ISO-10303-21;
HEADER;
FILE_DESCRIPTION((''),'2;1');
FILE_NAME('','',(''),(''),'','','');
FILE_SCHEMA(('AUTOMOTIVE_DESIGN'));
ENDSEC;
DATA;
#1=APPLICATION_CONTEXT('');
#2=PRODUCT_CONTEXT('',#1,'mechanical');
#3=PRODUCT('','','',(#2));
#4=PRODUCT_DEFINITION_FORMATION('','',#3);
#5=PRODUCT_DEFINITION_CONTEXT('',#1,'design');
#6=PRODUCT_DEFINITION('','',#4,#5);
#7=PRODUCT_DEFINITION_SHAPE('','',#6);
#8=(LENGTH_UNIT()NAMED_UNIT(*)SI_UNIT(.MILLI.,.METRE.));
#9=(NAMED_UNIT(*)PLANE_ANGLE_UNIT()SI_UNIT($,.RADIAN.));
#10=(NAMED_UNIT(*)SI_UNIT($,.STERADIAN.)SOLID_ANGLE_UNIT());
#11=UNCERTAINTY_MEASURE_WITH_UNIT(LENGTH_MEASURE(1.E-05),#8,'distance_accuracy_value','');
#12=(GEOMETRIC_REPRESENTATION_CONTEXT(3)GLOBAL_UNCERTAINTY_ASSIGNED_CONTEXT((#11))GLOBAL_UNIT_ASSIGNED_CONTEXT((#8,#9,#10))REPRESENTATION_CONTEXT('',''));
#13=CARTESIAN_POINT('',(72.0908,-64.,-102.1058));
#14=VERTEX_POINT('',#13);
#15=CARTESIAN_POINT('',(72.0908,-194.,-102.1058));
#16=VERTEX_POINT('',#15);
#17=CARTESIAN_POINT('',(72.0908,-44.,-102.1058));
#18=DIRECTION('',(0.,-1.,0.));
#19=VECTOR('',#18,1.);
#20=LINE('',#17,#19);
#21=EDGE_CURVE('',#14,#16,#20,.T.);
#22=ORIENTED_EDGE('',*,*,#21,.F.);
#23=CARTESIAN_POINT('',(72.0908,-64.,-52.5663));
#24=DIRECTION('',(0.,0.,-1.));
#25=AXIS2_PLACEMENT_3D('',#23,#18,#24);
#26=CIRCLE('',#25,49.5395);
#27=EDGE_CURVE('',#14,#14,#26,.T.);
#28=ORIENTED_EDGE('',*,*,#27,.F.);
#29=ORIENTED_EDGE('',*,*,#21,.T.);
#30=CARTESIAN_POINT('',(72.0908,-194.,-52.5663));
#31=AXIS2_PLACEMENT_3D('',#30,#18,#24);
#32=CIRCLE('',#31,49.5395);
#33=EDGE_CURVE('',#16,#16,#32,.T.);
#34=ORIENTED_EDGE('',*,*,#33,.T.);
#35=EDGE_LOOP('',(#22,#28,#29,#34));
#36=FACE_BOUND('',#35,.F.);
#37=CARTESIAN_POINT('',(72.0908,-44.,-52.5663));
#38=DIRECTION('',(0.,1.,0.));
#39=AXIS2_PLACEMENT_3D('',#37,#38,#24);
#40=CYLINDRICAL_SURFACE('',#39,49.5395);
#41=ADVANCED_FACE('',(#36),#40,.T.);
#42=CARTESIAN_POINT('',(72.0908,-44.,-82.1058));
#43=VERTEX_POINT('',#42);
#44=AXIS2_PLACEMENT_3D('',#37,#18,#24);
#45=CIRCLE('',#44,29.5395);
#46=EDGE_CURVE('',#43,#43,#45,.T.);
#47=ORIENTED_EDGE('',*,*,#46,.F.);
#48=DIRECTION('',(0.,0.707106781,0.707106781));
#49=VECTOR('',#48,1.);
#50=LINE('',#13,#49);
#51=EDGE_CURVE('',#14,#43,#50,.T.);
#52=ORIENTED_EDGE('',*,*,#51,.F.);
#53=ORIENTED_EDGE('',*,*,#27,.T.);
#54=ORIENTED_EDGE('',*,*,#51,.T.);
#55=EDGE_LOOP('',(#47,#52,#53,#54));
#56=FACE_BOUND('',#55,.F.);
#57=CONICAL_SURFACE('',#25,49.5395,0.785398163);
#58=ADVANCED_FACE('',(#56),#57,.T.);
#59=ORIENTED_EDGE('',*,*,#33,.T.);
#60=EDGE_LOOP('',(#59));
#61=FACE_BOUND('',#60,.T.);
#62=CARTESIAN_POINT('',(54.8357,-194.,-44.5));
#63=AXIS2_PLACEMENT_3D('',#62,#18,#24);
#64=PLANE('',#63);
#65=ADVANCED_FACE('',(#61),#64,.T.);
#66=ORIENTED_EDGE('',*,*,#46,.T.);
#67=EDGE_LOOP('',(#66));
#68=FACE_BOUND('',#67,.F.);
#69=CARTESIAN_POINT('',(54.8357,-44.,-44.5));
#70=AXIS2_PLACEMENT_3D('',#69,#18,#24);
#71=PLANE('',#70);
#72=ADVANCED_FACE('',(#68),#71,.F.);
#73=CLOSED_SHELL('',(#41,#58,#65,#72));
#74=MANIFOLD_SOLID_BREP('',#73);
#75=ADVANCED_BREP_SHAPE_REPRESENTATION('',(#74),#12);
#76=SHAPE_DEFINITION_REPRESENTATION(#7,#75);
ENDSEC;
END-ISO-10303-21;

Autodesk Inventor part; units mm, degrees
ref_plane "YZ Plane" through (0, 0, 0) normal (1, 0, 0) x (0, 1, 0)
ref_plane "XZ Plane" through (0, 0, 0) normal (0, 1, 0) x (-1, 0, 0)
ref_plane "XY Plane" through (0, 0, 0) normal (0, 0, 1) x (1, 0, 0)
ref_plane "Work Plane1" through (54.8357, -44, -44.5) normal (0, -1, 0) x (0, 0, -1)
sketch "Sketch1" plane through (54.8357, -44, -44.5) normal (0, -1, 0) x (0, 0, -1)
  circle A0 centre (8.0663, 17.2551) radius 49.5395
  point P0 (-44.5, -54.8357)
extrude "Extrusion1" add sketch "Sketch1" along normal blind 150
chamfer "Chamfer1" distance 20 angle 45 1 edges at (72.0908, -44, -3.0268)
properties part number "objectivelens"
